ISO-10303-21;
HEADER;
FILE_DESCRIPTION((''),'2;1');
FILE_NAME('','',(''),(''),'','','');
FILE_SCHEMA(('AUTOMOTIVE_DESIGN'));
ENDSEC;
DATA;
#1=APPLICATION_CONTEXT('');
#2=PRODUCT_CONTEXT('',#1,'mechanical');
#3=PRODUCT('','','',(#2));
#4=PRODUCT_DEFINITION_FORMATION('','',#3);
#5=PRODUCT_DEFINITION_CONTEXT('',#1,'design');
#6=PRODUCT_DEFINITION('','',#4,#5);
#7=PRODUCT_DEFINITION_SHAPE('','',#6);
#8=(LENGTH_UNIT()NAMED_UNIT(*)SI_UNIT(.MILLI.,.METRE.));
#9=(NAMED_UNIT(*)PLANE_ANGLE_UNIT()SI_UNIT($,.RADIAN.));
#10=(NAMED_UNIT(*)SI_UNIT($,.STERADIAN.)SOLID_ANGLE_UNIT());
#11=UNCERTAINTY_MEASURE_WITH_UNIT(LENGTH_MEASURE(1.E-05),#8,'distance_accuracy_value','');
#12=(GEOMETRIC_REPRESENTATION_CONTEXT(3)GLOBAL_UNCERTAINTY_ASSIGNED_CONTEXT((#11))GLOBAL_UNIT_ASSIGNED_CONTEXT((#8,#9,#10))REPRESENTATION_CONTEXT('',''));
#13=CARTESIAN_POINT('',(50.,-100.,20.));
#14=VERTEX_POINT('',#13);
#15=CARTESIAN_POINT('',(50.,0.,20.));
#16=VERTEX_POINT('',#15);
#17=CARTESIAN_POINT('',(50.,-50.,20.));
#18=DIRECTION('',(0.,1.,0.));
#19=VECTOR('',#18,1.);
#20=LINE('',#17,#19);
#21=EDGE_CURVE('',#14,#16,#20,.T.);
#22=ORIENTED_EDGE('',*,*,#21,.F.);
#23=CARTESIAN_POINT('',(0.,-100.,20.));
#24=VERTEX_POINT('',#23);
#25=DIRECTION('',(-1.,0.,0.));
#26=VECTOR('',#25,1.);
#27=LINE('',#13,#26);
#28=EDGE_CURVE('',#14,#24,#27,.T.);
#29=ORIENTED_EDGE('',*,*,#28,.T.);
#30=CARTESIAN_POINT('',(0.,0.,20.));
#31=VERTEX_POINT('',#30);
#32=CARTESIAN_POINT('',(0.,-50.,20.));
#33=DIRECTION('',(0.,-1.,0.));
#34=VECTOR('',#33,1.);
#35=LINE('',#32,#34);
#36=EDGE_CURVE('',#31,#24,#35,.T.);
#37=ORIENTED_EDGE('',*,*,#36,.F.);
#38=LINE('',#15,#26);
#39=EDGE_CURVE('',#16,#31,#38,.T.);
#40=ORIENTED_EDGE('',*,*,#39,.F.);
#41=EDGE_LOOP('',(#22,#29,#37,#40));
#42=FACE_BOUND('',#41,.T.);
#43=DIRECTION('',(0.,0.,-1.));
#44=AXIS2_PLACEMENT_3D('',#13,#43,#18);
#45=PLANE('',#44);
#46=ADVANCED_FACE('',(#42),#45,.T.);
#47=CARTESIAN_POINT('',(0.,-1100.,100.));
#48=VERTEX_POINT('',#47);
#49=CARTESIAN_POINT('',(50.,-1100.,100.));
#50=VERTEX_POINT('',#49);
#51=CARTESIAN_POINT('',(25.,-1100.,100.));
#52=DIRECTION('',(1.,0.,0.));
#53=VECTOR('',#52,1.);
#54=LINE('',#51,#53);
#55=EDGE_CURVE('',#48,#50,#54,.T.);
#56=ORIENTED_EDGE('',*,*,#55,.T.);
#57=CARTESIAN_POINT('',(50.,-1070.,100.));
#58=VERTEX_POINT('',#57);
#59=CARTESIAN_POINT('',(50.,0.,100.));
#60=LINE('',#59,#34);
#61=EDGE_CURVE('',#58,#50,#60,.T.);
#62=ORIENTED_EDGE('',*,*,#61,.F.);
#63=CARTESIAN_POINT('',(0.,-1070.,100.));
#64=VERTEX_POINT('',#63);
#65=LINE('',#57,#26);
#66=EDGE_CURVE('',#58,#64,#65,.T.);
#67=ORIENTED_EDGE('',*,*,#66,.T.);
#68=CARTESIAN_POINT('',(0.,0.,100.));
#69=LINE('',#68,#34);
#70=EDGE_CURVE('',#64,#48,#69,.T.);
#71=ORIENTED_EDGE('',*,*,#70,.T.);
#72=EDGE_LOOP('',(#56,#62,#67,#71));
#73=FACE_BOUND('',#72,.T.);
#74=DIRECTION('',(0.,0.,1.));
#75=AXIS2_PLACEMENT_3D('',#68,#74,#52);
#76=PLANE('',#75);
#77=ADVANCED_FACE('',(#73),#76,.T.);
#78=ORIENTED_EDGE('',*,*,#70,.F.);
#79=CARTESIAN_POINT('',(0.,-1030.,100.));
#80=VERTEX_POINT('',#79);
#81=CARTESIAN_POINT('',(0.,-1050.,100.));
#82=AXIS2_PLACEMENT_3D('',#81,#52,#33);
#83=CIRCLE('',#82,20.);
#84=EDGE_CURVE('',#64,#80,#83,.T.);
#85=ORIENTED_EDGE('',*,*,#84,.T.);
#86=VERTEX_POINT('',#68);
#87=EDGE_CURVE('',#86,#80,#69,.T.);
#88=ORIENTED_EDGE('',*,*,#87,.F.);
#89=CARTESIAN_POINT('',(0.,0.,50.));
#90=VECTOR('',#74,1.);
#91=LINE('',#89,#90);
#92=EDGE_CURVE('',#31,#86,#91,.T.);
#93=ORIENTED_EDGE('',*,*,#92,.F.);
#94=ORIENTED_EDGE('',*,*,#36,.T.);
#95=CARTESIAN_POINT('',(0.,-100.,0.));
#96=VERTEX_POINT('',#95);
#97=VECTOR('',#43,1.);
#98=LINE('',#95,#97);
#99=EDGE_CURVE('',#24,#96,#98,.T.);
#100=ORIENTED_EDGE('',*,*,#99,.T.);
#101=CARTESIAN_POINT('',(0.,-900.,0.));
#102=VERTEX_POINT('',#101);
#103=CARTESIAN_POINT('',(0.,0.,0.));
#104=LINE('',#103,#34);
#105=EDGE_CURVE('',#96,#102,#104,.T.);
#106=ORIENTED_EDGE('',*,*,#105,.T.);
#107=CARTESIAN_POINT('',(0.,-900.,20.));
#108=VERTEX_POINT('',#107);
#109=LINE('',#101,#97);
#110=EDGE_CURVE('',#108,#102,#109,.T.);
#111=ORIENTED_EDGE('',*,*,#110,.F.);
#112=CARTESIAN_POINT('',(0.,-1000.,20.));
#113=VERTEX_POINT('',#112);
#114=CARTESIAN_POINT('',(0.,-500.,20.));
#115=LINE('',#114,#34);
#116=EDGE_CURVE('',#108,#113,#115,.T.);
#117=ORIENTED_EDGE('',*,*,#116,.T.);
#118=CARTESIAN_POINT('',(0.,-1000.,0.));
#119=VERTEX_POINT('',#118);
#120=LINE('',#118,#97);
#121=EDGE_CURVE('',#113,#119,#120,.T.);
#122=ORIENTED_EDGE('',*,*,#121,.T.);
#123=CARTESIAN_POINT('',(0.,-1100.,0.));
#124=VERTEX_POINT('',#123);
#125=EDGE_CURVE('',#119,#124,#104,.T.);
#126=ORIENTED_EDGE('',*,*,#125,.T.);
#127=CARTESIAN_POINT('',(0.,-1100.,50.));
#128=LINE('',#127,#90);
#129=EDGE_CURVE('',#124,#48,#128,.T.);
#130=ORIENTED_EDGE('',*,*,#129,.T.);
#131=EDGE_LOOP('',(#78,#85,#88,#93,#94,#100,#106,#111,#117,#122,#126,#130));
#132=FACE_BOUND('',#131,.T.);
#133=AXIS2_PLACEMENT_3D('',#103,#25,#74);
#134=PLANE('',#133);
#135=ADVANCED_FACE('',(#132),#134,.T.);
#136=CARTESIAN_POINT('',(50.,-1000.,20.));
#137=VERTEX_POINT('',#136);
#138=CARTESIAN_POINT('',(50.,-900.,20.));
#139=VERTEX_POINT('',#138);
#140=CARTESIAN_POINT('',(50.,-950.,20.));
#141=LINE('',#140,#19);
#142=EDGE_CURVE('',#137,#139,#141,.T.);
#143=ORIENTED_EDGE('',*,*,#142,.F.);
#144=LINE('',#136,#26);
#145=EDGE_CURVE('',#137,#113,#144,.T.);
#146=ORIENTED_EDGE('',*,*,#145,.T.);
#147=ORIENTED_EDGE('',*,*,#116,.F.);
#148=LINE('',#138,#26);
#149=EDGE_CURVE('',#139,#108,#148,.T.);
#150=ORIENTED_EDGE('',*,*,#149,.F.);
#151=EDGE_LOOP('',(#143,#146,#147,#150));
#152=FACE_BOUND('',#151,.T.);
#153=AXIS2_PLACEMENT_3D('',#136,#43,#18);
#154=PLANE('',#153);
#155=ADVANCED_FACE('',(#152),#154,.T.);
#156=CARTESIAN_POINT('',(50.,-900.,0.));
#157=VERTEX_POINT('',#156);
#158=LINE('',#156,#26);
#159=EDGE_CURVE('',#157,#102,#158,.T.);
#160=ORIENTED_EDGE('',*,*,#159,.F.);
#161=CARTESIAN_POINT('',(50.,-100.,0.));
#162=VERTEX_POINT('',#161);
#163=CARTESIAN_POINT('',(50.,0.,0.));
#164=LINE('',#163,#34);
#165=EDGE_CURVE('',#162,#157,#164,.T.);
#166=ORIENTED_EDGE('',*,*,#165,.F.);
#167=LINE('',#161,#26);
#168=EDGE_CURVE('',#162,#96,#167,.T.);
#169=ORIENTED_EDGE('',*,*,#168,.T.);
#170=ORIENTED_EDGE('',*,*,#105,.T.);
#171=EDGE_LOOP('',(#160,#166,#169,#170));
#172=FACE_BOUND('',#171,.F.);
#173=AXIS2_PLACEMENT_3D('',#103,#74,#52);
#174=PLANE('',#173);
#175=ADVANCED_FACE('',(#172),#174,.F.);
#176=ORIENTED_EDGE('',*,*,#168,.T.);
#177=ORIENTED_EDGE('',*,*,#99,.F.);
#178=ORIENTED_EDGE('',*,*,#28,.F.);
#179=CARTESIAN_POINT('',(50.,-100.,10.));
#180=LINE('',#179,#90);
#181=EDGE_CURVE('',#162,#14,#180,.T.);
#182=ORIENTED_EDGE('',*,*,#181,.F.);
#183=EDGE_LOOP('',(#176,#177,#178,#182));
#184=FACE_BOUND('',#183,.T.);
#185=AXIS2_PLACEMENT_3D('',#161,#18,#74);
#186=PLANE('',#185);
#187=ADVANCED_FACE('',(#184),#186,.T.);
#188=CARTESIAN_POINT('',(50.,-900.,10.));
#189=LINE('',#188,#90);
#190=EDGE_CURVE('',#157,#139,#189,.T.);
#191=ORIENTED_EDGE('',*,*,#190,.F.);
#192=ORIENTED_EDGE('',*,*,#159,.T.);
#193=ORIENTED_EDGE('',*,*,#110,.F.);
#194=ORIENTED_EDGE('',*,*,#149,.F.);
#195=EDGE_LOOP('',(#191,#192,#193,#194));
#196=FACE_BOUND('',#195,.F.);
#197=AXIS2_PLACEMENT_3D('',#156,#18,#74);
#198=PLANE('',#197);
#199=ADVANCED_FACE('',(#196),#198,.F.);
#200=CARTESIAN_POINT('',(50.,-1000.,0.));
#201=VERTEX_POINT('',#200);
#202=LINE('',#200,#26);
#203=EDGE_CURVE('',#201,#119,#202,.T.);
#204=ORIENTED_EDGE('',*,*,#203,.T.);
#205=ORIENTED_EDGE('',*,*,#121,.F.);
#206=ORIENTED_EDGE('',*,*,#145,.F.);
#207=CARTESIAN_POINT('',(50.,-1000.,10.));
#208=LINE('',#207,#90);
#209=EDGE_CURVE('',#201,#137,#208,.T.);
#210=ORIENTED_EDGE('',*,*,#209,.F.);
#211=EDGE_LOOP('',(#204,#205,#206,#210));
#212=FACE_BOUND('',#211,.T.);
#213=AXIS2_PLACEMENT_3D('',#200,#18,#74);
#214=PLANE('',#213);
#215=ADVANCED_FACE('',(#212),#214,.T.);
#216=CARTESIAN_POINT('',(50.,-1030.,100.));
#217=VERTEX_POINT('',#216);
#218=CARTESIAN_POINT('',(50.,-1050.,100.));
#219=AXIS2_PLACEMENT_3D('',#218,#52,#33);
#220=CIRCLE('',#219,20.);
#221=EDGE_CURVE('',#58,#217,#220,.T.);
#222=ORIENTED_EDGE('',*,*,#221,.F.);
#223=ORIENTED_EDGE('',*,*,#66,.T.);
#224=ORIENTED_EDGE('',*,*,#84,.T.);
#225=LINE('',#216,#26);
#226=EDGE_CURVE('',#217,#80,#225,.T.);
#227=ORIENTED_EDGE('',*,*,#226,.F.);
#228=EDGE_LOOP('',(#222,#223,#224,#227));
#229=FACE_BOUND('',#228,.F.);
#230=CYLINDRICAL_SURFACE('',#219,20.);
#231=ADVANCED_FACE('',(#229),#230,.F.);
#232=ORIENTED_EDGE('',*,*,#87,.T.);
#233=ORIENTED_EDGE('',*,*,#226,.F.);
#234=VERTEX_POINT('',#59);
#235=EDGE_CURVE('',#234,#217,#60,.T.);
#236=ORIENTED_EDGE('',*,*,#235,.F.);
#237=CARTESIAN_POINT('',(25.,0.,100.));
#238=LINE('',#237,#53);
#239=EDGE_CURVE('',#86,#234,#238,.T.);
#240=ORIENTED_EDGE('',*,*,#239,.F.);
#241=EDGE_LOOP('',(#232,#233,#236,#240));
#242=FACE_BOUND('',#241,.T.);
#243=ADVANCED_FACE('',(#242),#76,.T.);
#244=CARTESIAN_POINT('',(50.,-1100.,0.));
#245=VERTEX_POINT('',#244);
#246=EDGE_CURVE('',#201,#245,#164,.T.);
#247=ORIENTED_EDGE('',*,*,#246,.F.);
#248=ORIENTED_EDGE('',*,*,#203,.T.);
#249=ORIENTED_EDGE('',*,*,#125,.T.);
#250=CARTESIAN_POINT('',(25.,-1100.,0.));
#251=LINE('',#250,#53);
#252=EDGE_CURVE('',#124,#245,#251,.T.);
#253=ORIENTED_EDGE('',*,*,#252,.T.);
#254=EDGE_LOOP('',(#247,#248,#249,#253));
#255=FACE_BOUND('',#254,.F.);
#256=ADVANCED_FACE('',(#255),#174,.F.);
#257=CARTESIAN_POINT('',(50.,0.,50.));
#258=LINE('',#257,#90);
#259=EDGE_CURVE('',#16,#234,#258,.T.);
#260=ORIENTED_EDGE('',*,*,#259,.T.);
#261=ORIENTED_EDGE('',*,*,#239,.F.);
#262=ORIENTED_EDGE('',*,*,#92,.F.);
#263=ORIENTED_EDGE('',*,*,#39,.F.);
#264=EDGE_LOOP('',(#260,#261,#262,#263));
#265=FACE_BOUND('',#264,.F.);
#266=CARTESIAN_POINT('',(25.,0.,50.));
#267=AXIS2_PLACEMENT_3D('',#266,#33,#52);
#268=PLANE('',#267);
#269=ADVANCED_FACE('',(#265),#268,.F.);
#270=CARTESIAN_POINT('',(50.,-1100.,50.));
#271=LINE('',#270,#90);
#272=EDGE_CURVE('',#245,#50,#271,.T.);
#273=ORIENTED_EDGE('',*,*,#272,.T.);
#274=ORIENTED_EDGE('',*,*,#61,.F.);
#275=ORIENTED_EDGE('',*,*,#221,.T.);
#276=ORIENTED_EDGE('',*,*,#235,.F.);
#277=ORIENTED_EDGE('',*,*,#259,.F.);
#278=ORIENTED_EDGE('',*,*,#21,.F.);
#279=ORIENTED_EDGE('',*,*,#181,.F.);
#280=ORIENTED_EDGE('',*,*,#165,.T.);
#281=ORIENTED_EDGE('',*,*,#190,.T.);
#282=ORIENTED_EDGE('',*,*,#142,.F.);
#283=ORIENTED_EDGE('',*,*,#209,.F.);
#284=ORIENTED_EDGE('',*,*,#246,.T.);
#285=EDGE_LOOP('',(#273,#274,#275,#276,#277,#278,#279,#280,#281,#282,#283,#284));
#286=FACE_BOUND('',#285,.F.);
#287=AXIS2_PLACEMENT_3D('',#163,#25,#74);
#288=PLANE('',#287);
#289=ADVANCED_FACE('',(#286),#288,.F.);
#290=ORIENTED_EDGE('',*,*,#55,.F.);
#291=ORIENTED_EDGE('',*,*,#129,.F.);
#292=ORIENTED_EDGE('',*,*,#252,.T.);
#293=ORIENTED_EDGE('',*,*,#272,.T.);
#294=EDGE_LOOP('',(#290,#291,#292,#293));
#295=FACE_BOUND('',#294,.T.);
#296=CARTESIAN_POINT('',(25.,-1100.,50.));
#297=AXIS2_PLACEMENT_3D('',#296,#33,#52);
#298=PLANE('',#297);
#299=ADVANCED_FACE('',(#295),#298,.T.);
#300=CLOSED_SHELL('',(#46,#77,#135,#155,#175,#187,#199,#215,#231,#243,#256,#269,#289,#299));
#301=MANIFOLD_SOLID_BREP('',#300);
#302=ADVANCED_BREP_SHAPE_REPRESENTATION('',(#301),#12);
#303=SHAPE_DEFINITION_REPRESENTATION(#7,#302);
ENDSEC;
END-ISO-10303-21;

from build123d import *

# Parameters (mm, degrees)
F0_W     = 50
F0_H     = 100
F1_DEPTH = 1100
F2_W     = 100
F2_H     = 20
F3_DEPTH = 50.001
F5_DEPTH = 50.001


with BuildPart() as f1:
    # F0 (on Front) → F1 (new body)
    with BuildSketch(Plane.XZ):
        with Locations((25, 50)):
            Rectangle(F0_W, F0_H)
    extrude(amount=F1_DEPTH)

    # F2 (on face) → F3 (cut, through all)
    with BuildSketch(Plane.YZ.offset(50)):
        with Locations((-50, 10)):
            Rectangle(F2_W, F2_H)
        with Locations((-950, 10)):
            Rectangle(F2_W, F2_H)
    extrude(amount=-F3_DEPTH, mode=Mode.SUBTRACT)

    # F4 (on face) → F5 (cut, through all)
    with BuildSketch(Plane.YZ.offset(50)):
        with BuildLine():
            Line((-1030, 100), (-1070, 100))
            ThreePointArc((-1070, 100), (-1050, 80), (-1030, 100))
        make_face()
    extrude(amount=-F5_DEPTH, mode=Mode.SUBTRACT)


solid = f1.part
